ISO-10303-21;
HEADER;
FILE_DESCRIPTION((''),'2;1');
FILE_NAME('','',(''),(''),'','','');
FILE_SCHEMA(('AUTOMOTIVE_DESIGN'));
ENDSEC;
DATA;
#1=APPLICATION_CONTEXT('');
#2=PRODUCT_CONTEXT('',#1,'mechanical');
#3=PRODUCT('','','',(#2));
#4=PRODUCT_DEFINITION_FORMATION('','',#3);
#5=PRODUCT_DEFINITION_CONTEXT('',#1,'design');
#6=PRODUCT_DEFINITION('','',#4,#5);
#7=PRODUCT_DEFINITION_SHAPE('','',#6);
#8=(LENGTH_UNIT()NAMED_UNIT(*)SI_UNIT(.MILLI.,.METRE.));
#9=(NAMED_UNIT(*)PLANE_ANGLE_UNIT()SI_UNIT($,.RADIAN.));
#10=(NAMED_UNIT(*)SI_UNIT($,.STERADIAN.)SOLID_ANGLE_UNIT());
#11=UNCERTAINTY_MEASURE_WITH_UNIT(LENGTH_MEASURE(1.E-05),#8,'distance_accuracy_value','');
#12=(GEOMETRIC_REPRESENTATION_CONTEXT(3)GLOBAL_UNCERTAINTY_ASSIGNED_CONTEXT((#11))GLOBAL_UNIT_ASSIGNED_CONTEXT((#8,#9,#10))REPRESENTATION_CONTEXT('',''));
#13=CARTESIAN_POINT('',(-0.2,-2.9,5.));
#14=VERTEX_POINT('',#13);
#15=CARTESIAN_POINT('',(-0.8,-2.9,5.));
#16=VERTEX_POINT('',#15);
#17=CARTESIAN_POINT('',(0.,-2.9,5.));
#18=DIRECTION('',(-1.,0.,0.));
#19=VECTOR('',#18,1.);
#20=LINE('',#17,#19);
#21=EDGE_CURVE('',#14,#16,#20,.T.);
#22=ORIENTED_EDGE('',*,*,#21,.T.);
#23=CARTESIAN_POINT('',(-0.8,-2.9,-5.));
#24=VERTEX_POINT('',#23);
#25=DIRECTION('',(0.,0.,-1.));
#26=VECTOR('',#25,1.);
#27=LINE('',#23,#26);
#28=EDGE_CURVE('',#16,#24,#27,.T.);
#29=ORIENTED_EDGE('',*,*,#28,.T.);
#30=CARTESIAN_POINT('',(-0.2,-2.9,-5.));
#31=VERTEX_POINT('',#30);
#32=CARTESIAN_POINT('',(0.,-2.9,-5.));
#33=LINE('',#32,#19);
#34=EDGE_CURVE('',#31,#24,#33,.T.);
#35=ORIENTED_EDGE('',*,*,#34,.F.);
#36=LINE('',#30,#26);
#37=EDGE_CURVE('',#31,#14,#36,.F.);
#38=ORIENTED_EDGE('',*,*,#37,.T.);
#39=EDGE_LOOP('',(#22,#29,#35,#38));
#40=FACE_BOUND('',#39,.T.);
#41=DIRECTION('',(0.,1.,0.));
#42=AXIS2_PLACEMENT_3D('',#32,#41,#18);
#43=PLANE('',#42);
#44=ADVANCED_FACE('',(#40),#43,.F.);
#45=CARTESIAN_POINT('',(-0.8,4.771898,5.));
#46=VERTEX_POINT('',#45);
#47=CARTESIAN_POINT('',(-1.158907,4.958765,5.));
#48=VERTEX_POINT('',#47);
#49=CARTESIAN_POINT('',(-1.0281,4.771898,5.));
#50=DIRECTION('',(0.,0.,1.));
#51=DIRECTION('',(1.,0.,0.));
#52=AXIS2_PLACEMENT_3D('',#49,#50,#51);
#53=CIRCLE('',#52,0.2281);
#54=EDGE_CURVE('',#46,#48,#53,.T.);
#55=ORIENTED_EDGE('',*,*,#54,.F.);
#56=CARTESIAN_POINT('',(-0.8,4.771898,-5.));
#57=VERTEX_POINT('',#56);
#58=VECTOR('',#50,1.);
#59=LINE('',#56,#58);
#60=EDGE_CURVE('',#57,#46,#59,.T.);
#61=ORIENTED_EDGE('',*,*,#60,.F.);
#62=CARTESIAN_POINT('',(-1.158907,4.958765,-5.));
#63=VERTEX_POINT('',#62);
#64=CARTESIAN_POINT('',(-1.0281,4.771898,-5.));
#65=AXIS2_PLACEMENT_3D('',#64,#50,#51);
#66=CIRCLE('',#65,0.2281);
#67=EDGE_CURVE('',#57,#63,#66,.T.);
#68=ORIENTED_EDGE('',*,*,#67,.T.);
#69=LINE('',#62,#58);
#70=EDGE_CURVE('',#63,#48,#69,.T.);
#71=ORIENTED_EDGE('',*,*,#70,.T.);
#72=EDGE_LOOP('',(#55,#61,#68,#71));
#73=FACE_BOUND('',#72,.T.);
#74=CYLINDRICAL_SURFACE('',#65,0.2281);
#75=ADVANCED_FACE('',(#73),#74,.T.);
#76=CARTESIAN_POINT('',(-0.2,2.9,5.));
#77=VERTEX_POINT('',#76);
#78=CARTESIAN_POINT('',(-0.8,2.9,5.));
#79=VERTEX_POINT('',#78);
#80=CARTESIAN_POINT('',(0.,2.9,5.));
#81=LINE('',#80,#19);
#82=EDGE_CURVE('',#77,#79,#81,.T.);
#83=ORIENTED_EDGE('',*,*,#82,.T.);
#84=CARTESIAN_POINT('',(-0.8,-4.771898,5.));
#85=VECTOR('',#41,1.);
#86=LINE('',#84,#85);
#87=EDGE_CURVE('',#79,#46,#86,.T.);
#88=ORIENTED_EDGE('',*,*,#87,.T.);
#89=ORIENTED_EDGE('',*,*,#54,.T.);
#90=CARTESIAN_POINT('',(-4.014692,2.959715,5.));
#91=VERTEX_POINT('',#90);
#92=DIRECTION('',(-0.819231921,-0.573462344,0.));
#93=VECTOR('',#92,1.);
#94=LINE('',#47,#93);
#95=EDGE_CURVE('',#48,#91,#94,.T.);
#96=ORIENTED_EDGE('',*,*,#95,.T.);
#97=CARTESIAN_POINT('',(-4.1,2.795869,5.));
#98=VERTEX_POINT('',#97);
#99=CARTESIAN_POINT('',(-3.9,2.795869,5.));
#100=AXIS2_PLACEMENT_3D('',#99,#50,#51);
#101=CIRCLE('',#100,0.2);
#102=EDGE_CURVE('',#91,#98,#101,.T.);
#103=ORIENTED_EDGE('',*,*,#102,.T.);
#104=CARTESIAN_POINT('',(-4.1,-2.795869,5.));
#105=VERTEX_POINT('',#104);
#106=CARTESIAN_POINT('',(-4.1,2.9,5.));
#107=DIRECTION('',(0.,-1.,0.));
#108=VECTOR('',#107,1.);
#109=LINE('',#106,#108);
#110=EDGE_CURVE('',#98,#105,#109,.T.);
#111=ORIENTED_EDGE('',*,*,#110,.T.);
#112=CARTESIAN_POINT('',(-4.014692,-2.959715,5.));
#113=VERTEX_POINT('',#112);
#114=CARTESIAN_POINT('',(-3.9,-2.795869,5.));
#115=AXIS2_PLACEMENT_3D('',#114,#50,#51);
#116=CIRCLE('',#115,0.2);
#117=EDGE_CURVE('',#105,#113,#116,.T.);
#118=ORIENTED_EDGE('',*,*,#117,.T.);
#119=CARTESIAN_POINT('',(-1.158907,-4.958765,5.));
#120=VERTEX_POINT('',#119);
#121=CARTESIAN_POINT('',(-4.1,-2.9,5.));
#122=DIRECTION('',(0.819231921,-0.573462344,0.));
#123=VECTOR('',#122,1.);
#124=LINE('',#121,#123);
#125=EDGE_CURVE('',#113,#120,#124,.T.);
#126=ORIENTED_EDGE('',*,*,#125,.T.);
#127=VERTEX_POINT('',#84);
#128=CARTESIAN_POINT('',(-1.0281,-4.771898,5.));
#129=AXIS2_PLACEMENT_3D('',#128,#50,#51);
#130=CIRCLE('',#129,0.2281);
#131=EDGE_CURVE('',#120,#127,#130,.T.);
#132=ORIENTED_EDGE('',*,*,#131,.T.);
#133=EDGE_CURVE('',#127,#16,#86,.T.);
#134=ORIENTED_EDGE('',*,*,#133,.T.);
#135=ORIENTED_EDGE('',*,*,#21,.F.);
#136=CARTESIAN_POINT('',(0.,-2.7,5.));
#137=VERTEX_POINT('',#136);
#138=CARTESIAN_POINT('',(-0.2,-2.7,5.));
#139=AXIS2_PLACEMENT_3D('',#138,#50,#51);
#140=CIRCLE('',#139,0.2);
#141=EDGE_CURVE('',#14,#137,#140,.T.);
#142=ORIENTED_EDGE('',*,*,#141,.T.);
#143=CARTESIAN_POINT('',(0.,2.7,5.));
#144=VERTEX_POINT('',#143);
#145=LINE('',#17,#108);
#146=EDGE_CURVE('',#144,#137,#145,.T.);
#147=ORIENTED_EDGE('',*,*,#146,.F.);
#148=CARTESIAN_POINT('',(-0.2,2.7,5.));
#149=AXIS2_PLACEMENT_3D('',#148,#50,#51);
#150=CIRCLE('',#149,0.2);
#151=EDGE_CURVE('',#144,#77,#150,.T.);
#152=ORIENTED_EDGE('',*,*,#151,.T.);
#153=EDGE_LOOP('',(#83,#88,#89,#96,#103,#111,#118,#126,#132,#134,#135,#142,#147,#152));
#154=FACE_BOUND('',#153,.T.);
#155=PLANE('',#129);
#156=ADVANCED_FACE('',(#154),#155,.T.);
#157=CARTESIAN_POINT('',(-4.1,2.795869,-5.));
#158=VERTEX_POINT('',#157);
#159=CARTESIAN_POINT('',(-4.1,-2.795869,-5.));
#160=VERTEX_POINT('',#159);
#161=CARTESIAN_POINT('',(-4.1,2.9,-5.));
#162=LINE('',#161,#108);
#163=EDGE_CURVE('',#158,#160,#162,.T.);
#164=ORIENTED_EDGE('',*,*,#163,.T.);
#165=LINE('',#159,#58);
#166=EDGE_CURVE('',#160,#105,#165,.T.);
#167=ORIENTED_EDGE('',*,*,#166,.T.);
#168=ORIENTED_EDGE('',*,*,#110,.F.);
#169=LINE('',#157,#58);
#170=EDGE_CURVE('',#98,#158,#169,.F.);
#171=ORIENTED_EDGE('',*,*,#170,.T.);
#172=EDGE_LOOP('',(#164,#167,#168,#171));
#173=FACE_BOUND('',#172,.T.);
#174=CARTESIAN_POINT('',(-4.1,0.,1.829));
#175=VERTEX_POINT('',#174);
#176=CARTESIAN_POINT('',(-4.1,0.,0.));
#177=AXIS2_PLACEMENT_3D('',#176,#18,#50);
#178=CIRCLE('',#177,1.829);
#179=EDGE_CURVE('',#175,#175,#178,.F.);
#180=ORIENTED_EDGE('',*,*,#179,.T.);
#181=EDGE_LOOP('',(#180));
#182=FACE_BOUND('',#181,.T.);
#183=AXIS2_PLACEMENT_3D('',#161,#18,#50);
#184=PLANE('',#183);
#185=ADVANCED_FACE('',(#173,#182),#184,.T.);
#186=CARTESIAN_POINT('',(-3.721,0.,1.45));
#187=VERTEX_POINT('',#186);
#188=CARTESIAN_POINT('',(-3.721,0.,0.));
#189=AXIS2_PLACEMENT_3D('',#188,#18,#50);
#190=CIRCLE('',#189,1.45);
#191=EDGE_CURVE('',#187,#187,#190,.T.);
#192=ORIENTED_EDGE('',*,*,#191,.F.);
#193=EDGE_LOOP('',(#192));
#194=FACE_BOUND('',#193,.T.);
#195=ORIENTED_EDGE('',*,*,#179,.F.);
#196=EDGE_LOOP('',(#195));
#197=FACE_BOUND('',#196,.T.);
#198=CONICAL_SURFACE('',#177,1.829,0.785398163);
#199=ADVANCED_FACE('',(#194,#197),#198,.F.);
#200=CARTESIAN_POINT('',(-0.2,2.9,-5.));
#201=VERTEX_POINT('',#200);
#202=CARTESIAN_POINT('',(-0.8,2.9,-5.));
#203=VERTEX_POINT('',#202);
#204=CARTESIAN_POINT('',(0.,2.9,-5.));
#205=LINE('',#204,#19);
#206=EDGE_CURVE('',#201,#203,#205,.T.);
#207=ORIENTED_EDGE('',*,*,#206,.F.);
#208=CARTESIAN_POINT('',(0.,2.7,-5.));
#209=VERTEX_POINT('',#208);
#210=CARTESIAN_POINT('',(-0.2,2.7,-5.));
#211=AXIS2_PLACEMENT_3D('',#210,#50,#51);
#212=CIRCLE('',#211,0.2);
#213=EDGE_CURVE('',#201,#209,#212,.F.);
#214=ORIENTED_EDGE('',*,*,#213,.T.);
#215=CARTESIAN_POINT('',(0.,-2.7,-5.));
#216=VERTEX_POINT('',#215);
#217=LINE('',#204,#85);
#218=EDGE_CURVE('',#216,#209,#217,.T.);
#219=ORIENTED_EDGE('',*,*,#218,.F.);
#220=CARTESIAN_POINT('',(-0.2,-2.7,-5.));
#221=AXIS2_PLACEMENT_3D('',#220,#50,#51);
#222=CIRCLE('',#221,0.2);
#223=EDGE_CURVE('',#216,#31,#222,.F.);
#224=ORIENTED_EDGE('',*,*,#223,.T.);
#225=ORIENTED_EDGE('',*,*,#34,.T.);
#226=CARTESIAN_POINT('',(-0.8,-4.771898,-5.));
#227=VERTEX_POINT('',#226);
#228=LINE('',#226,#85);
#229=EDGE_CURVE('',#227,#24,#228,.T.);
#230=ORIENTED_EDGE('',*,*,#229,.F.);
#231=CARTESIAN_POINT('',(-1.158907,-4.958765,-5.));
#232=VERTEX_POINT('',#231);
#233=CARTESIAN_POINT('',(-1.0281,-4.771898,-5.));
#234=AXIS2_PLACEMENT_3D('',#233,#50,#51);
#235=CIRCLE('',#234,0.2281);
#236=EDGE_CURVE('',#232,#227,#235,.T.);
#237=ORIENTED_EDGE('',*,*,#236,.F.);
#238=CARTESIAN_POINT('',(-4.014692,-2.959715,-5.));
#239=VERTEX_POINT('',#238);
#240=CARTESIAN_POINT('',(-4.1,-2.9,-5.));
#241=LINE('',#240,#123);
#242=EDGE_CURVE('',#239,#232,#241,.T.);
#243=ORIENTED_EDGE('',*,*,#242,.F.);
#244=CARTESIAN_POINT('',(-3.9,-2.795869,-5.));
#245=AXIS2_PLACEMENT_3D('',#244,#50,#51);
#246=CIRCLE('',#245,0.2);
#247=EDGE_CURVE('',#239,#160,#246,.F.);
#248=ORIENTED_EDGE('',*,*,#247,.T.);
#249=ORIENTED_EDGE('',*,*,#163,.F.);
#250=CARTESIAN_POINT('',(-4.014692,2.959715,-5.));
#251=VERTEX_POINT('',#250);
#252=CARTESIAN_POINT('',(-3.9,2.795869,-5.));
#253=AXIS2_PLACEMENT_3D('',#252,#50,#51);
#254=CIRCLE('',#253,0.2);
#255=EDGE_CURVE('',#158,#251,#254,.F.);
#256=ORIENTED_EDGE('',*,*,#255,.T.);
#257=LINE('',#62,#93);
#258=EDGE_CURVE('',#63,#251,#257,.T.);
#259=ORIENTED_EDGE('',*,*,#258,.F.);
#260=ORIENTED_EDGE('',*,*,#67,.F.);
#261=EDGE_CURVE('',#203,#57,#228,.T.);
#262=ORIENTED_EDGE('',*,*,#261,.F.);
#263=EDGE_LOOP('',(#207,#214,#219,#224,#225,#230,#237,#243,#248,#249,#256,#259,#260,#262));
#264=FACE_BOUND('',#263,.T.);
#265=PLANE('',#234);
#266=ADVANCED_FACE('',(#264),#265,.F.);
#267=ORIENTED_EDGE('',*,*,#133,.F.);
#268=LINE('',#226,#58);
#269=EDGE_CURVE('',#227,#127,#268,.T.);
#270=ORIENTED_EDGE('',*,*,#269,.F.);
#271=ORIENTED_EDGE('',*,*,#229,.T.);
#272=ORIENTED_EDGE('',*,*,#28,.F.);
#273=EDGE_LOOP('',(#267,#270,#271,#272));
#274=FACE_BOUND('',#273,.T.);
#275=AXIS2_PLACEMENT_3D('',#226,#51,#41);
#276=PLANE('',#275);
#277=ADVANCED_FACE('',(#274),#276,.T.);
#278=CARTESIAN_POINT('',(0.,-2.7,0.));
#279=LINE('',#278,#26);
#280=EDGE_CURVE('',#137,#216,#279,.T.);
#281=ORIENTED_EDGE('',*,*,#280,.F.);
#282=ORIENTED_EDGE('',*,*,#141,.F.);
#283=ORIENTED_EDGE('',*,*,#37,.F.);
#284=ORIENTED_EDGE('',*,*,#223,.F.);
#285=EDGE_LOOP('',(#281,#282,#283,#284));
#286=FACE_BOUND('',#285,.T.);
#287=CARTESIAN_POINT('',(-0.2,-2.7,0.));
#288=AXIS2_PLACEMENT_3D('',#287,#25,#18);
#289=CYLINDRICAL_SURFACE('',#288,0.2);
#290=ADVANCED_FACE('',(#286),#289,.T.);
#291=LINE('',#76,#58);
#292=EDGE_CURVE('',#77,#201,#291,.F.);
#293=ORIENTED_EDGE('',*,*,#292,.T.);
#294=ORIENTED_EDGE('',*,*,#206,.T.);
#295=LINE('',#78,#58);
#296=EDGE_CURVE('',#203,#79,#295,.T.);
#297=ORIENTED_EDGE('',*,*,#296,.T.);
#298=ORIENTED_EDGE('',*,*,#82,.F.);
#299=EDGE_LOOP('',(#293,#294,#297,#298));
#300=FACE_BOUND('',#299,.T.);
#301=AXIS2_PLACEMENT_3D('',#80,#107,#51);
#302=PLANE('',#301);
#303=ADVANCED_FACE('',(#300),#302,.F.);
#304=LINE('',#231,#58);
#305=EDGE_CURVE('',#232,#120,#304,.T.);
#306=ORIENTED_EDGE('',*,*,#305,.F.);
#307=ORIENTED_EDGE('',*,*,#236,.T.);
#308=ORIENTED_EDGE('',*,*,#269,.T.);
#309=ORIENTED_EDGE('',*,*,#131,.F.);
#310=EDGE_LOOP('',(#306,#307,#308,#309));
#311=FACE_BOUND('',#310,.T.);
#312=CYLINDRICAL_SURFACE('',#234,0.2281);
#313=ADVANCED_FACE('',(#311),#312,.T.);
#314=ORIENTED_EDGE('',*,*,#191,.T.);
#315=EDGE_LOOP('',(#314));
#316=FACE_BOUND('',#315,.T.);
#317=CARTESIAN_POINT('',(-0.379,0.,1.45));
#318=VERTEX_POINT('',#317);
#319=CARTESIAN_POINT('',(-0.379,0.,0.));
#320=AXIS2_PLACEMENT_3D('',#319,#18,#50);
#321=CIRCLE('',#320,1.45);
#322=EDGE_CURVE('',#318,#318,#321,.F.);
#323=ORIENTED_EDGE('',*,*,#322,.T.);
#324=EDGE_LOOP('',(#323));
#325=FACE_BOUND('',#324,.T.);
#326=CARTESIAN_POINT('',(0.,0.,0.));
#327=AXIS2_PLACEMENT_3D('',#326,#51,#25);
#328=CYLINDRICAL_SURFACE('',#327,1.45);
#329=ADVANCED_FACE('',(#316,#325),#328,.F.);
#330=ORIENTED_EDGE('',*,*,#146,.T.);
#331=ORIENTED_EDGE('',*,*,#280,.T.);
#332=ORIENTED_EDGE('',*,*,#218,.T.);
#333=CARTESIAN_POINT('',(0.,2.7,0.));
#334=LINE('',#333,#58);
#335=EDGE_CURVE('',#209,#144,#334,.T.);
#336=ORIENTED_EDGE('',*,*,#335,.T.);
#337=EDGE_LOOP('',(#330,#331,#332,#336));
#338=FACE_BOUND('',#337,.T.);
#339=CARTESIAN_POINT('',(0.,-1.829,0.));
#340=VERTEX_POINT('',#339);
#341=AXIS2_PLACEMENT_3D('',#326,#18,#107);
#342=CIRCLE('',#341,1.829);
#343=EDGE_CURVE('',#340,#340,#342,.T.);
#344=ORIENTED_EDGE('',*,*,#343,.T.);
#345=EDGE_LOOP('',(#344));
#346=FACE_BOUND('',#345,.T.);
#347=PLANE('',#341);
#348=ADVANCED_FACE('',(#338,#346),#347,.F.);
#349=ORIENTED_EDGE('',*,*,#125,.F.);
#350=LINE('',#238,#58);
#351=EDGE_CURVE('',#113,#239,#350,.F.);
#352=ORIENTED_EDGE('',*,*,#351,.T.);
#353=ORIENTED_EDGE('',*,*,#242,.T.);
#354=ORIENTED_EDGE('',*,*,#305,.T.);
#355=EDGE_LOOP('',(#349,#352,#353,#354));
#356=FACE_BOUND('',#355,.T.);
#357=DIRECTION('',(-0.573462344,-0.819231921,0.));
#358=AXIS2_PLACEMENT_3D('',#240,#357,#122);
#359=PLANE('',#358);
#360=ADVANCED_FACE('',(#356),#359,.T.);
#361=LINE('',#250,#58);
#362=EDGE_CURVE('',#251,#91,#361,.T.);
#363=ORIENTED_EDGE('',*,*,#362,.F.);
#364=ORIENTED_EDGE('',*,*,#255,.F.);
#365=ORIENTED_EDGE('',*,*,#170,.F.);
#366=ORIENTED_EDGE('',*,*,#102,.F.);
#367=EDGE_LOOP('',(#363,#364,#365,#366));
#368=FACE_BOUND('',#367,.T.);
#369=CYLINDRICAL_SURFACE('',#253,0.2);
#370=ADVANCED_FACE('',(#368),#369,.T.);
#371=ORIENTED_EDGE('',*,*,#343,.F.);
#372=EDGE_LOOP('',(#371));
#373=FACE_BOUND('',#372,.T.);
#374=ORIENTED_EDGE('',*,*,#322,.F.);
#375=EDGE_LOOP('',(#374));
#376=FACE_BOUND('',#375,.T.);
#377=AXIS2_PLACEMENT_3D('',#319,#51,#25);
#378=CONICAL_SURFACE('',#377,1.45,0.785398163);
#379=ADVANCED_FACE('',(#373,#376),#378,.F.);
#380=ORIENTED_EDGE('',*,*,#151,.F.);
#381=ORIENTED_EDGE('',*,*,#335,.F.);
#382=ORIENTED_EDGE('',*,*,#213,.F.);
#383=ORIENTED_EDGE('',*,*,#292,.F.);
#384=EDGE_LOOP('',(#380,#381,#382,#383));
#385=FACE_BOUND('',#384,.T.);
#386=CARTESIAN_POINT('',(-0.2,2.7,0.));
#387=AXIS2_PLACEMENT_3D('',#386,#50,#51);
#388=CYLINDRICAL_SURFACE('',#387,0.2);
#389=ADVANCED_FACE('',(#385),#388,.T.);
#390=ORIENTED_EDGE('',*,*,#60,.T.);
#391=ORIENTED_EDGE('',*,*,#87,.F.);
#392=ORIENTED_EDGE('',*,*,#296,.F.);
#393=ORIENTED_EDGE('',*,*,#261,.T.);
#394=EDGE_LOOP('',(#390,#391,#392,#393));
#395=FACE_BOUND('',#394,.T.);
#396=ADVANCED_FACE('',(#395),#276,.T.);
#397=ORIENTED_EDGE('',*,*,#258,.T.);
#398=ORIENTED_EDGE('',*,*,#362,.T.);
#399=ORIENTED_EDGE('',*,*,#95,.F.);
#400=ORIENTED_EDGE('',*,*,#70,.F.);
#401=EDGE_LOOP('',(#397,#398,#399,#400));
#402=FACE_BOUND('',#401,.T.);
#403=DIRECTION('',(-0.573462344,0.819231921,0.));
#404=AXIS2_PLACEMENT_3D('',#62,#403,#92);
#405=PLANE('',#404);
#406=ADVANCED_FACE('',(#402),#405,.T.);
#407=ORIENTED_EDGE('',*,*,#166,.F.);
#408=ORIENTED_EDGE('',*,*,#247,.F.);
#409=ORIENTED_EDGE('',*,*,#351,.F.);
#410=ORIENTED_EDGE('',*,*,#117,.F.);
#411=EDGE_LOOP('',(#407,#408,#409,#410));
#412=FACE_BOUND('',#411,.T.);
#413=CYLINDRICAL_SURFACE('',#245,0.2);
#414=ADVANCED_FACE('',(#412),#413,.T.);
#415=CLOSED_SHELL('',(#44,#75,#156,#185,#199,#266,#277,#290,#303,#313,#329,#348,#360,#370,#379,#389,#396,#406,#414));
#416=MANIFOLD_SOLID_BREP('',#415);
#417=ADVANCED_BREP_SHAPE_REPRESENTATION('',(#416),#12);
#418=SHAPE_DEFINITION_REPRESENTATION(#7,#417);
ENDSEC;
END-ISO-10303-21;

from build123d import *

# Parameters (mm, degrees)
BOSS_EXTRUDE1_DEPTH           = 10
SKETCH2_W                     = 10
SKETCH2_H                     = 5.8
BOSS_EXTRUDE2_DEPTH           = 0.8
TAP_DRILL_FOR_M3_5X0_6_TAP1_D = 2.9
CHAMFER1_SIZE                 = 0.379
FILLET1_R                     = 0.2


with BuildPart() as part:
    # Sketch1 → Boss-Extrude1 (new body)
    with BuildSketch(Plane.XY.offset(5)):
        with BuildLine():
            Line((-0.8, -4.771898466), (-0.8, 4.771898466))
            ThreePointArc((-0.8, 4.771898466), (-0.922761052, 4.974218302), (-1.158906761, 4.958765267))
            Line((-1.158906761, 4.958765267), (-4.1, 2.9))
            Line((-4.1, 2.9), (-4.1, -2.9))
            Line((-4.1, -2.9), (-1.158906761, -4.958765267))
            ThreePointArc((-1.158906761, -4.958765267), (-0.922761052, -4.974218302), (-0.8, -4.771898466))
        make_face()
    extrude(amount=-BOSS_EXTRUDE1_DEPTH)

    # Sketch2 → Boss-Extrude2 (add)
    with BuildSketch(Plane(origin=(-0.8, 0, 0), x_dir=(0, 0, -1), z_dir=(1, 0, 0))):
        Rectangle(SKETCH2_W, SKETCH2_H)
    extrude(amount=BOSS_EXTRUDE2_DEPTH)

    # Tap Drill for M3.5x0.6 Tap1 (through all)
    with Locations(Plane(origin=(0, 0, 0), x_dir=(0, 0, -1), z_dir=(1, 0, 0))):
        with Locations((0, 0)):
            Hole(TAP_DRILL_FOR_M3_5X0_6_TAP1_D / 2)

    # Chamfer1
    chamfer1_edges = [part.edges().sort_by_distance(p)[0] for p in [
        (0, 0, -1.45),
        (-4.1, 0, -1.45),
    ]]
    chamfer(chamfer1_edges, length=CHAMFER1_SIZE)

    # Fillet1
    fillet1_edges = [part.edges().sort_by_distance(p)[0] for p in [
        (-4.1, -2.9, 0),
        (-4.1, 2.9, 0),
        (0, 2.9, 0),
        (0, -2.9, 0),
    ]]
    fillet(fillet1_edges, radius=FILLET1_R)


solid = part.part
